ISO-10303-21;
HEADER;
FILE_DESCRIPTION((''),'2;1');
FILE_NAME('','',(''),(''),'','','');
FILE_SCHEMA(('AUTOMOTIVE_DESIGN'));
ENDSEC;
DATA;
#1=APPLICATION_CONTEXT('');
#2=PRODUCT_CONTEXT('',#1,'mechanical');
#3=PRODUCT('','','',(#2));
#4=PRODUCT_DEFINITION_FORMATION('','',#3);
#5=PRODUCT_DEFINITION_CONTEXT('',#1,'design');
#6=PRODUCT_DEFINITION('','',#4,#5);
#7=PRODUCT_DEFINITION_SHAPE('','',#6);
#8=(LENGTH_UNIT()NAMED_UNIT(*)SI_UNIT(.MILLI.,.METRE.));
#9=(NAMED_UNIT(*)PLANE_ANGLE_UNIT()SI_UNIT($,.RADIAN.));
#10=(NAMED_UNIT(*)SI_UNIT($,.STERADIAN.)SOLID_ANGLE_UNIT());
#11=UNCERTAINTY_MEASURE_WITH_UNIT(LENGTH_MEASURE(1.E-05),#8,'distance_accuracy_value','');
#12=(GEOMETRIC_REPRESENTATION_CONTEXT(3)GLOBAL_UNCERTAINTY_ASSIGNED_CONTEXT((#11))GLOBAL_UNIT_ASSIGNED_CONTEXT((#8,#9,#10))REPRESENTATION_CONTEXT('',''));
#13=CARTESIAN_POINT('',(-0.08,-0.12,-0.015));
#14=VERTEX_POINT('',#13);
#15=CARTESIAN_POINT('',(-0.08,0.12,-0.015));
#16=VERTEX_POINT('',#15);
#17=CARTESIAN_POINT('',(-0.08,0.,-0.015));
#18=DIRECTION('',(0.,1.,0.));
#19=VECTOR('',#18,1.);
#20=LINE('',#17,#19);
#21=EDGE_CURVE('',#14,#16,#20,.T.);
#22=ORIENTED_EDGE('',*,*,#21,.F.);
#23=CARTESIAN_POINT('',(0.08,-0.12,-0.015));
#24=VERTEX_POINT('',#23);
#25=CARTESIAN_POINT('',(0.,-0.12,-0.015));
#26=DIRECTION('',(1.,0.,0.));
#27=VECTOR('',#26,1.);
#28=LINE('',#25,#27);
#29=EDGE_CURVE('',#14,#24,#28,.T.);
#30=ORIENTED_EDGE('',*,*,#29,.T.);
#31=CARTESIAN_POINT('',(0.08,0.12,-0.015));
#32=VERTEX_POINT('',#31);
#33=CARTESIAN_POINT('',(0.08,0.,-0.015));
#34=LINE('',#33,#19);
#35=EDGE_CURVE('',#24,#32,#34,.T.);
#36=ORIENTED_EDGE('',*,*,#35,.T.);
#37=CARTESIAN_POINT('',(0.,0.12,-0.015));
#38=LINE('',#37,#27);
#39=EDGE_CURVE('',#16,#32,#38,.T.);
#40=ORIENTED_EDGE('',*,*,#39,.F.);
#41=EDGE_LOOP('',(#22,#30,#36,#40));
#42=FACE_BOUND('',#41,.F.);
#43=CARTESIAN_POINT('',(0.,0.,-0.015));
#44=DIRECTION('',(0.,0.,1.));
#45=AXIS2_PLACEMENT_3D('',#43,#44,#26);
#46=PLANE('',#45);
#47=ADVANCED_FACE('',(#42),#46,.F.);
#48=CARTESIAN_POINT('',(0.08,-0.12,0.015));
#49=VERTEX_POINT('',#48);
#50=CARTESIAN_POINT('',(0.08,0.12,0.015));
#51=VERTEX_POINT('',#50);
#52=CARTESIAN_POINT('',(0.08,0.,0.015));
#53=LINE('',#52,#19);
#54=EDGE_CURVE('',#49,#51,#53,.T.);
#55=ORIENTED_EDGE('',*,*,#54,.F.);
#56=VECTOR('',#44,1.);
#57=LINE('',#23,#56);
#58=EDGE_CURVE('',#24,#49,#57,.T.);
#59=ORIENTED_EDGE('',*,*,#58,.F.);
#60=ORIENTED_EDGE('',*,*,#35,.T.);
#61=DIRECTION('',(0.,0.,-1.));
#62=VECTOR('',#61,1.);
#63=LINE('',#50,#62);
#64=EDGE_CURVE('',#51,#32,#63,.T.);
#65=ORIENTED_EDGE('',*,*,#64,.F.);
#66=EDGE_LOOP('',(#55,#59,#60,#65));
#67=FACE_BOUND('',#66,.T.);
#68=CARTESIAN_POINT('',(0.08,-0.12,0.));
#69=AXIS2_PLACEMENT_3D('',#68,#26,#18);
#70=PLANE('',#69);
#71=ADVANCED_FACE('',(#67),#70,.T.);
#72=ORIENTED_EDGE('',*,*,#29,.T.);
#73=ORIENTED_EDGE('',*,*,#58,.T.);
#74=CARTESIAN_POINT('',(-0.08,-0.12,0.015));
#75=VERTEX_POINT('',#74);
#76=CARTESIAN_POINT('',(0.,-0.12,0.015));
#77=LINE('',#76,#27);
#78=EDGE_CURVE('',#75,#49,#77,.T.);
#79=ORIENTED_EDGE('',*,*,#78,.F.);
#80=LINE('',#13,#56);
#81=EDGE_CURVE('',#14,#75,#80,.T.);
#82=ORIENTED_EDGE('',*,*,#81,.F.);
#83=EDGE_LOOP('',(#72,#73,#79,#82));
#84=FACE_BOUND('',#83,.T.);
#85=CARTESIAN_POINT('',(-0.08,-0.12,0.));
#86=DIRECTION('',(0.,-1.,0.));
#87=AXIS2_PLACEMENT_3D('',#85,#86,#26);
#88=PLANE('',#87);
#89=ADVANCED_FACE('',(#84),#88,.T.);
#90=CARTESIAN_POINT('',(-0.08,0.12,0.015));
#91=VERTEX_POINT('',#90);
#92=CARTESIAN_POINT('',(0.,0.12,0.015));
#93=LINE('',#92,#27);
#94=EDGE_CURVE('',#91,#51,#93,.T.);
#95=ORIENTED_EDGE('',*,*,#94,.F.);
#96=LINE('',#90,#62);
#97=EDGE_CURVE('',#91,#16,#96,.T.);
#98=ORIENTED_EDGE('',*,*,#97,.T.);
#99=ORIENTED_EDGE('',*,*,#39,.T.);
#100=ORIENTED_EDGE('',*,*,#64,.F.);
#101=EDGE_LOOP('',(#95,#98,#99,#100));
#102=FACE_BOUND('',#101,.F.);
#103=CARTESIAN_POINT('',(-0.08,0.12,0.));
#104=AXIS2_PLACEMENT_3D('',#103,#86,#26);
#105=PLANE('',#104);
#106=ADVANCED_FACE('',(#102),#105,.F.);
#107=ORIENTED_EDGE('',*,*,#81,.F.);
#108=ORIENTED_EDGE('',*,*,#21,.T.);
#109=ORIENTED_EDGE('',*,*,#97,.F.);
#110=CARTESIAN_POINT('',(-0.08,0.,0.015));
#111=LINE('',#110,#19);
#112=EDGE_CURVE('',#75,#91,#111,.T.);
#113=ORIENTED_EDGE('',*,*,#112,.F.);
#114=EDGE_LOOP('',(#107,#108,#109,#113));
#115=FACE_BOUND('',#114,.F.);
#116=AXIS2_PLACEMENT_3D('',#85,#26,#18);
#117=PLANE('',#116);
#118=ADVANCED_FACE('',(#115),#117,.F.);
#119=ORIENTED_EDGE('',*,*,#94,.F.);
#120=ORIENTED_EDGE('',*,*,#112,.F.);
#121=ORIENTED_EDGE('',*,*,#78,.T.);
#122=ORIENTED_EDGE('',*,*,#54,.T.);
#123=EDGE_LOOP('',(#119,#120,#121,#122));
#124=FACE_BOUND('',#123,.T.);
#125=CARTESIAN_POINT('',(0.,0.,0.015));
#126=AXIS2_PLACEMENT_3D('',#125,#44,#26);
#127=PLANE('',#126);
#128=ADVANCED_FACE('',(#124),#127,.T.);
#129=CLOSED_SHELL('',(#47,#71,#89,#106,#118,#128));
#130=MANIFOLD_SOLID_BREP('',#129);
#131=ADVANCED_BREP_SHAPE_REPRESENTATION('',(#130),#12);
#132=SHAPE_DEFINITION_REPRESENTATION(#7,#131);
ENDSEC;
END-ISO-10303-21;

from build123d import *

# Parameters (mm, degrees)
SKETCH_W  = 0.16
SKETCH_H  = 0.24
PAD_DEPTH = 0.015


with BuildPart() as part:
    # Sketch → Pad (new body, symmetric)
    with BuildSketch(Plane.XY):
        Rectangle(SKETCH_W, SKETCH_H)
    extrude(amount=PAD_DEPTH, both=True)


solid = part.part
